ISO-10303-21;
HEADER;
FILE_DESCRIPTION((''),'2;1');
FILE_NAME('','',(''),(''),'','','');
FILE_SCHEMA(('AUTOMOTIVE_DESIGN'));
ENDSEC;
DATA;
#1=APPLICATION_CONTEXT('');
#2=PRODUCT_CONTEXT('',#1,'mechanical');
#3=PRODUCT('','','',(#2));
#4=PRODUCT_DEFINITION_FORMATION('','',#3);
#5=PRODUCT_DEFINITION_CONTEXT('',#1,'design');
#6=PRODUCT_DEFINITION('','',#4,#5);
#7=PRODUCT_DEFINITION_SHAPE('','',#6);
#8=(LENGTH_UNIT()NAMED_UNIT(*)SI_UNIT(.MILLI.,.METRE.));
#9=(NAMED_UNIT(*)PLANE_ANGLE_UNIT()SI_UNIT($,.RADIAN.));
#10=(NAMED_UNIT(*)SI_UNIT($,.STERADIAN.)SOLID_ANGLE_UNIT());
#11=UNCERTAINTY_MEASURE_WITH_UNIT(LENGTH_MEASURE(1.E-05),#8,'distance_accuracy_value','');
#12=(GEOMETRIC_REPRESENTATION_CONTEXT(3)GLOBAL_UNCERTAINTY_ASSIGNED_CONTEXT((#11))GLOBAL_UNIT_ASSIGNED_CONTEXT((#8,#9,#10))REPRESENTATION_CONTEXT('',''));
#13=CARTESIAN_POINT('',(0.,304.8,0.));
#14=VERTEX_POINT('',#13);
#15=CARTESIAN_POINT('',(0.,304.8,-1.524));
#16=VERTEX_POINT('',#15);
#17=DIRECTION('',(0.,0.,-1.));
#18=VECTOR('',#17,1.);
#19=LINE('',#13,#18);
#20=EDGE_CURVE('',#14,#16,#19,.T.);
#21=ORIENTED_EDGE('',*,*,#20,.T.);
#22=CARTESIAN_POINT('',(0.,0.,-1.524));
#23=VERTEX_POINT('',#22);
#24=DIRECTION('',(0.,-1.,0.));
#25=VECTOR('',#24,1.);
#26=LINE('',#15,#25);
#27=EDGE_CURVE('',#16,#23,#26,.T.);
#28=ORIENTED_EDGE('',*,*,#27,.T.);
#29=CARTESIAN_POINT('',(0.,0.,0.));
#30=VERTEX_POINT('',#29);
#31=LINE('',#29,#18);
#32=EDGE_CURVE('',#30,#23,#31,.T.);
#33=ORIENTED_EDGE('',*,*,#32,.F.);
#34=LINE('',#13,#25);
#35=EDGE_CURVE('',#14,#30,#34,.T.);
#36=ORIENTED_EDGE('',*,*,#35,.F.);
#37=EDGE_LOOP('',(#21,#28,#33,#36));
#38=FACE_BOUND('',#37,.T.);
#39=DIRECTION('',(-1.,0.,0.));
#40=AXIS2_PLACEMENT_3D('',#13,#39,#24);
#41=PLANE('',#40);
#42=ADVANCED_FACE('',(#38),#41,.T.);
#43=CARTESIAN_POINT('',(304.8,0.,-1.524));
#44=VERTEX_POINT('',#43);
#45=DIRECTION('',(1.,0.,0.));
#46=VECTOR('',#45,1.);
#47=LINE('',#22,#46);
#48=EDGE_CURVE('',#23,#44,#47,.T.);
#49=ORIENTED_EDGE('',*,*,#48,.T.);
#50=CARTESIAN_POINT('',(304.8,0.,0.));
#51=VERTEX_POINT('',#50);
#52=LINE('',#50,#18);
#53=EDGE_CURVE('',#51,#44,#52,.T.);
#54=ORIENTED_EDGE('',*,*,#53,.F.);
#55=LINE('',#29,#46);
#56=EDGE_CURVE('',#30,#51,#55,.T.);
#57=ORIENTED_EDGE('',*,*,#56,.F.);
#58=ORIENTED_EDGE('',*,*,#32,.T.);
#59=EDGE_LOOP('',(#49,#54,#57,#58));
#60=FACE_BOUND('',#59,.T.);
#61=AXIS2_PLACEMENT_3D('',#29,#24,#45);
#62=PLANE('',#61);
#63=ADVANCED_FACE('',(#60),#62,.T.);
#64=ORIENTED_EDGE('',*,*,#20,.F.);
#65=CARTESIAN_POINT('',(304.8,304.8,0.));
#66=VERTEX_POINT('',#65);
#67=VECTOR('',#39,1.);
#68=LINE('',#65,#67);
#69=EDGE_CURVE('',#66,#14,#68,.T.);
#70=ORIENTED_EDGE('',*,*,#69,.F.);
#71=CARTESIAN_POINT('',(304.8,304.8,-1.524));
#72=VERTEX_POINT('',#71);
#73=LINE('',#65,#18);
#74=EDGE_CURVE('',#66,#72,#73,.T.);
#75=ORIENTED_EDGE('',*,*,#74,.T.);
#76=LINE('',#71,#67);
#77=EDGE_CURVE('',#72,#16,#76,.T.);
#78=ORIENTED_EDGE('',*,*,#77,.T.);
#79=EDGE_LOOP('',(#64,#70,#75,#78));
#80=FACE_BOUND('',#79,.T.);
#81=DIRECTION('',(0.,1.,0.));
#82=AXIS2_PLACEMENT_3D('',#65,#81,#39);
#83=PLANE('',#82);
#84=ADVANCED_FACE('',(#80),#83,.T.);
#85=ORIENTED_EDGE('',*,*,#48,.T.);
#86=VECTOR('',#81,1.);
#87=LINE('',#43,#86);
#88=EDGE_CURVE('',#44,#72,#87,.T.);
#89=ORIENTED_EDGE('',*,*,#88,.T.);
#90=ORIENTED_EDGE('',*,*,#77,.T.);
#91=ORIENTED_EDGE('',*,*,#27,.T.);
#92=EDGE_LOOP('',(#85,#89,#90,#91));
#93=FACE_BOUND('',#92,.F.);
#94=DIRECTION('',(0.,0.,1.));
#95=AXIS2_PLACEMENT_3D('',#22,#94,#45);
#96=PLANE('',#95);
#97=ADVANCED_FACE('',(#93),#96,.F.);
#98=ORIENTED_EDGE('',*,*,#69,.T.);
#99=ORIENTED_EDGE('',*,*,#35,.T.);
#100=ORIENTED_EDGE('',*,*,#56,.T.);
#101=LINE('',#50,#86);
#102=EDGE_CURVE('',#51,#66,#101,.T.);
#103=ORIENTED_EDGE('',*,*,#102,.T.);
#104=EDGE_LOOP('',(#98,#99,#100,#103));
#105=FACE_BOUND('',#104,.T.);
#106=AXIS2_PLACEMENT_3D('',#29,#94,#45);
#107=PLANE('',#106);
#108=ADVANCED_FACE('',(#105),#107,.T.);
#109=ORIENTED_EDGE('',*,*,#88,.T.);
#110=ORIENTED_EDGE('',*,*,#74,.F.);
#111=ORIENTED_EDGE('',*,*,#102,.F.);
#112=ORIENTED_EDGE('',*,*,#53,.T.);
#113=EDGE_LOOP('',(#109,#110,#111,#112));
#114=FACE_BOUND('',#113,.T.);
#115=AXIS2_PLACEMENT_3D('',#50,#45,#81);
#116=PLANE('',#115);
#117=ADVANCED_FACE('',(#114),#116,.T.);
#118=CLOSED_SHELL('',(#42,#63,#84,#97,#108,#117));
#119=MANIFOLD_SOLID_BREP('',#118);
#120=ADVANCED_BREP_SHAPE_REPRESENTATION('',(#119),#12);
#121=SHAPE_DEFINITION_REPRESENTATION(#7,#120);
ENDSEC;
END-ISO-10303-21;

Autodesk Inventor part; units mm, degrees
ref_plane "YZ Plane" through (0, 0, 0) normal (1, 0, 0) x (0, 1, 0)
ref_plane "XZ Plane" through (0, 0, 0) normal (0, 1, 0) x (-1, 0, 0)
ref_plane "XY Plane" through (0, 0, 0) normal (0, 0, 1) x (1, 0, 0)
sketch "Sketch1" plane through (0, 0, 0) normal (0, 0, 1) x (1, 0, 0)
  line L0 (0, 0) -> (304.8, 0)
  line L1 (304.8, 0) -> (304.8, 304.8)
  line L2 (304.8, 304.8) -> (0, 304.8)
  line L3 (0, 304.8) -> (0, 0)
  point P0 (304.8, 152.4)
  point P1 (152.4, 304.8)
  dimension "d0" = 304.8
extrude "Extrusion1" add sketch "Sketch1" against normal blind 1.524
properties material "UHMW, Black"
